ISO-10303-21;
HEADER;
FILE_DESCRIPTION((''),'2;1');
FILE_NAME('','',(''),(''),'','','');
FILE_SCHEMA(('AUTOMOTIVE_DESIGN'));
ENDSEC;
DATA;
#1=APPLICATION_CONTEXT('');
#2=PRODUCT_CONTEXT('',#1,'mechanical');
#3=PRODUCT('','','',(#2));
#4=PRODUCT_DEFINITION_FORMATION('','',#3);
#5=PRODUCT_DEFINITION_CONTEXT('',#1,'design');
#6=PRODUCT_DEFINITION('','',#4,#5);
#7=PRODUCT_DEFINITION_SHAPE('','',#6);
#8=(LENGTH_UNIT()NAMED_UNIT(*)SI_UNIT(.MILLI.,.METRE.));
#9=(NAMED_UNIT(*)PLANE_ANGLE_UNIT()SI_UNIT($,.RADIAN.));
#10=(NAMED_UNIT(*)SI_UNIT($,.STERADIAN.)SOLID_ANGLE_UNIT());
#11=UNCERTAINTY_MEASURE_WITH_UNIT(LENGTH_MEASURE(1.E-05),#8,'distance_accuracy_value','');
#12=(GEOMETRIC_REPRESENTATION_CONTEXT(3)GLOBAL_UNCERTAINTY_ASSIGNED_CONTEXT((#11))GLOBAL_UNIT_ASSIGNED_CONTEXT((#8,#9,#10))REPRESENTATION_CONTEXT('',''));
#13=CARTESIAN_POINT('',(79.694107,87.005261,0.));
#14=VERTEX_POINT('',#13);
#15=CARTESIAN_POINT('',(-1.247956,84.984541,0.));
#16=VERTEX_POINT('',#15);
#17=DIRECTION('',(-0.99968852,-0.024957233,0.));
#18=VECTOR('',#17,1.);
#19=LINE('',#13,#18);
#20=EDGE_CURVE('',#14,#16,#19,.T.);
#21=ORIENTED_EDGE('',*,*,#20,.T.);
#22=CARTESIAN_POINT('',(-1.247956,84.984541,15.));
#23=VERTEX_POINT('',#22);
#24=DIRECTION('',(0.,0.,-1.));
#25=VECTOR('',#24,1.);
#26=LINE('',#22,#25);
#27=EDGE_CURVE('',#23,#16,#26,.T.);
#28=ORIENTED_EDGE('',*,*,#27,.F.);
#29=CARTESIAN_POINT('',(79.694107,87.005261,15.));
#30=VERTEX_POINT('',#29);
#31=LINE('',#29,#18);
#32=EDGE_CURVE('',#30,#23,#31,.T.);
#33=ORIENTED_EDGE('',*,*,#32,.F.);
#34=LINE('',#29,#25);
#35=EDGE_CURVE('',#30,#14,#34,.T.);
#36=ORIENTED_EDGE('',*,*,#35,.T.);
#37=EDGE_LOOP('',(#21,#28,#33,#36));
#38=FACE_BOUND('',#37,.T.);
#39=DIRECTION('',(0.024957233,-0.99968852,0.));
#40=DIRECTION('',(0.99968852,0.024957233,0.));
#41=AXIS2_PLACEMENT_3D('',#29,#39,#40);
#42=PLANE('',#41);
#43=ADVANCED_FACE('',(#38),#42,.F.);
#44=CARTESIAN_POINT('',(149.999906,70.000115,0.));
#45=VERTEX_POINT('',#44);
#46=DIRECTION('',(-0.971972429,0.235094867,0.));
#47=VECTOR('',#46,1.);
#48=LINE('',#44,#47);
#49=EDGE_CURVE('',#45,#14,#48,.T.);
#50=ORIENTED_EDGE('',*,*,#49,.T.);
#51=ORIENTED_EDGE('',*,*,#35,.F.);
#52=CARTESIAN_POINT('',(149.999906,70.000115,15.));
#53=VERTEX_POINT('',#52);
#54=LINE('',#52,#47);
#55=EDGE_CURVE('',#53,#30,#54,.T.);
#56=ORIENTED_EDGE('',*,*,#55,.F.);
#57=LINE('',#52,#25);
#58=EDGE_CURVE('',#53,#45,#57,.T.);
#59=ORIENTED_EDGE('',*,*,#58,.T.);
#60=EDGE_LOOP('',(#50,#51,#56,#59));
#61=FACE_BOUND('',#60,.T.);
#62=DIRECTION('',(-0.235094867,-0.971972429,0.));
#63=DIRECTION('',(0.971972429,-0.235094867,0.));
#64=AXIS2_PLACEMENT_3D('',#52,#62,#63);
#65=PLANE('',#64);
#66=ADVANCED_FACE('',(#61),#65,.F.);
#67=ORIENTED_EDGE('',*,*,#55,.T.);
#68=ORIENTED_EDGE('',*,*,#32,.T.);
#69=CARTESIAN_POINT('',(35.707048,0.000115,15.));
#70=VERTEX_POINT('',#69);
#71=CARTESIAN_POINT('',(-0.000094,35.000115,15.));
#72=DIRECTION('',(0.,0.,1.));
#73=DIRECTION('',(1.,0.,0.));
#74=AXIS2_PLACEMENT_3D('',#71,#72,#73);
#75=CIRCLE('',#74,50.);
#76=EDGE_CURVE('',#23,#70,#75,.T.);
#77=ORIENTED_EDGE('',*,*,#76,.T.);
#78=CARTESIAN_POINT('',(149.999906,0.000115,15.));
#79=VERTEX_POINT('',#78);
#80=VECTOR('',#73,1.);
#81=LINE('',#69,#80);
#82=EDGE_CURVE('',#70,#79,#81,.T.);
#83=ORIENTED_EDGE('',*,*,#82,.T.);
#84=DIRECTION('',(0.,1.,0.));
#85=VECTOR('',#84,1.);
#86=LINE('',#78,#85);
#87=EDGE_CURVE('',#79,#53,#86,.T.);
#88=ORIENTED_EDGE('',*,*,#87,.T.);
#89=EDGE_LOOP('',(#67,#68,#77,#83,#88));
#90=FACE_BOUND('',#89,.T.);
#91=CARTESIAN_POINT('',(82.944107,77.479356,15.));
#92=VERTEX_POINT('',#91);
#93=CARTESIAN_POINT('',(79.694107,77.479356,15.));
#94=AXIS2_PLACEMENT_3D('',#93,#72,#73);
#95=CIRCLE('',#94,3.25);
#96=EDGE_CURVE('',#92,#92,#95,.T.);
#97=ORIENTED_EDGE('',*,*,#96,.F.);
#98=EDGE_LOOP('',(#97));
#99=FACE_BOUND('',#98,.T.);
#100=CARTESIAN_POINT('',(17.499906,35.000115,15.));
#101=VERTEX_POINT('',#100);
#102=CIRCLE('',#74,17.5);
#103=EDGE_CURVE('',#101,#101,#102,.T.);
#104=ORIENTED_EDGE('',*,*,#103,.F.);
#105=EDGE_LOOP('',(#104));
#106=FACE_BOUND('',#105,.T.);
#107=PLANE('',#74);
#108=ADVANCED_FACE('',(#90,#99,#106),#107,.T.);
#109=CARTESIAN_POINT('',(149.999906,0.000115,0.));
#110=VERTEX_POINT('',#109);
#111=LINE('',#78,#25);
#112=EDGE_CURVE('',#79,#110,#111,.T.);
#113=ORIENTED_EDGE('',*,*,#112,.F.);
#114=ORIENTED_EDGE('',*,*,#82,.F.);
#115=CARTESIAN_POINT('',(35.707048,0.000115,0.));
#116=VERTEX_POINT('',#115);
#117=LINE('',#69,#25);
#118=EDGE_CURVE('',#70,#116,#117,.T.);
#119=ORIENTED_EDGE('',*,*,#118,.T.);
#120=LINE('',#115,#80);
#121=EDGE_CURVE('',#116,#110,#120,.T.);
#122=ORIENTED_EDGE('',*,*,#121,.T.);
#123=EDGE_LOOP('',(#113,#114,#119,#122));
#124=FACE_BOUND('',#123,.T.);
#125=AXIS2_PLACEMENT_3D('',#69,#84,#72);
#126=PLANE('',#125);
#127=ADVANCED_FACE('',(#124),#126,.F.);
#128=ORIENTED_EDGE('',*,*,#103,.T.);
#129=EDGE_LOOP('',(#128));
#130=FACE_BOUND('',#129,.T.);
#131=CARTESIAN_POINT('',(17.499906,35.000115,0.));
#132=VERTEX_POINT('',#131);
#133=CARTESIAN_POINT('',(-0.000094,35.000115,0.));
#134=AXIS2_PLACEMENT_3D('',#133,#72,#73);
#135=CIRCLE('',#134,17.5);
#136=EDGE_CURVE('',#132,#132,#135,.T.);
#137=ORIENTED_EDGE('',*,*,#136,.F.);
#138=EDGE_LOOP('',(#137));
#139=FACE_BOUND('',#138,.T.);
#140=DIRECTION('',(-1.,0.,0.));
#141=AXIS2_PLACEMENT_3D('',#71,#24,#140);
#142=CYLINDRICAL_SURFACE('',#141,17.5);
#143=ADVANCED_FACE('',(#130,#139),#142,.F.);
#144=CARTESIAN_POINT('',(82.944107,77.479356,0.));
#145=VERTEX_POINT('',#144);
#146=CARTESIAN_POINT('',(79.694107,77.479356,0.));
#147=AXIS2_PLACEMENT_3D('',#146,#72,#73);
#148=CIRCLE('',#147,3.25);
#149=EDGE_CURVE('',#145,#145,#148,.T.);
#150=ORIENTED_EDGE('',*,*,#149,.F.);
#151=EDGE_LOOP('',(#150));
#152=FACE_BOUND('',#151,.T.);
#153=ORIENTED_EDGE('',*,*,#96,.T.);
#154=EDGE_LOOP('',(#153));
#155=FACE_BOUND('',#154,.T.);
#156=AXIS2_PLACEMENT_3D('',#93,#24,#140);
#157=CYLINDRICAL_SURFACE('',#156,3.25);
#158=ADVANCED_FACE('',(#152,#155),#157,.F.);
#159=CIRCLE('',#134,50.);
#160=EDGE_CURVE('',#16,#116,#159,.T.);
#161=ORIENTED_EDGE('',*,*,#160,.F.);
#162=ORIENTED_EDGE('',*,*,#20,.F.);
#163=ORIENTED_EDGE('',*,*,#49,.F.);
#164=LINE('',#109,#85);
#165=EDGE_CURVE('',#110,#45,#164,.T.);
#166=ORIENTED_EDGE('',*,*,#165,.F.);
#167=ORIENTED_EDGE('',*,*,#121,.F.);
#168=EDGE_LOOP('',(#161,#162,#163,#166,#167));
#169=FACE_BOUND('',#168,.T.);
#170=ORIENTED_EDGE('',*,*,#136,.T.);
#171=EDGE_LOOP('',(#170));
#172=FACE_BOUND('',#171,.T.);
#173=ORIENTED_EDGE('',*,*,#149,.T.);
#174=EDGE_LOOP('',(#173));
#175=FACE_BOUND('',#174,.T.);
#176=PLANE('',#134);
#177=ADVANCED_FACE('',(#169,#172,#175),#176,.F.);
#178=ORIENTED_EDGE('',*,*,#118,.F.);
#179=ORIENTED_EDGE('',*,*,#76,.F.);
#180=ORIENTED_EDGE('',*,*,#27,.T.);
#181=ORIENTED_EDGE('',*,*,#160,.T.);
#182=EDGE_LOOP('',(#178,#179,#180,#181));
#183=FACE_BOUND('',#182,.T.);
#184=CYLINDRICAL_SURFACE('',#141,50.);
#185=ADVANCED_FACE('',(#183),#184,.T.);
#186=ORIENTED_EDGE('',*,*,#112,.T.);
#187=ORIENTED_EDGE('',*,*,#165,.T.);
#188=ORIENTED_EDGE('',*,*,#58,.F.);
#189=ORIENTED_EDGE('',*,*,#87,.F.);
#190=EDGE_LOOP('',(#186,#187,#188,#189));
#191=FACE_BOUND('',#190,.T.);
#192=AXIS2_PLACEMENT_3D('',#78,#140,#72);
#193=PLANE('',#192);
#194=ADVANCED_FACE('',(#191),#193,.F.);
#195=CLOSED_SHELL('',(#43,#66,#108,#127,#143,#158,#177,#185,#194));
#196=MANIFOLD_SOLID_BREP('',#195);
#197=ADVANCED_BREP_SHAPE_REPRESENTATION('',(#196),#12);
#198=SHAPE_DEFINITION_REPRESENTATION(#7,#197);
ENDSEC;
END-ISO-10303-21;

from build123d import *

# Parameters (mm, degrees)
SKETCH1_R           = 17.5
SKETCH1_R_2         = 3.25
BOSS_EXTRUDE1_DEPTH = 15


with BuildPart() as part:
    # Sketch1 → Boss-Extrude1 (new body)
    with BuildSketch(Plane.XY):
        with BuildLine():
            Line((149.99990581, 70.000115429), (79.694106831, 87.00526078))
            Line((79.694106831, 87.00526078), (-1.24795586, 84.984541416))
            ThreePointArc((-1.24795586, 84.984541416), (-45.852560512, 15.061426098), (35.707047952, 0.000115429))
            Line((35.707047952, 0.000115429), (149.99990581, 0.000115429))
            Line((149.99990581, 0.000115429), (149.99990581, 70.000115429))
        make_face()
        with Locations((-9.419e-05, 35.000115429)):
            Circle(SKETCH1_R, mode=Mode.SUBTRACT)
        with Locations((79.694106831, 77.479356086)):
            Circle(SKETCH1_R_2, mode=Mode.SUBTRACT)
    extrude(amount=BOSS_EXTRUDE1_DEPTH)


solid = part.part
